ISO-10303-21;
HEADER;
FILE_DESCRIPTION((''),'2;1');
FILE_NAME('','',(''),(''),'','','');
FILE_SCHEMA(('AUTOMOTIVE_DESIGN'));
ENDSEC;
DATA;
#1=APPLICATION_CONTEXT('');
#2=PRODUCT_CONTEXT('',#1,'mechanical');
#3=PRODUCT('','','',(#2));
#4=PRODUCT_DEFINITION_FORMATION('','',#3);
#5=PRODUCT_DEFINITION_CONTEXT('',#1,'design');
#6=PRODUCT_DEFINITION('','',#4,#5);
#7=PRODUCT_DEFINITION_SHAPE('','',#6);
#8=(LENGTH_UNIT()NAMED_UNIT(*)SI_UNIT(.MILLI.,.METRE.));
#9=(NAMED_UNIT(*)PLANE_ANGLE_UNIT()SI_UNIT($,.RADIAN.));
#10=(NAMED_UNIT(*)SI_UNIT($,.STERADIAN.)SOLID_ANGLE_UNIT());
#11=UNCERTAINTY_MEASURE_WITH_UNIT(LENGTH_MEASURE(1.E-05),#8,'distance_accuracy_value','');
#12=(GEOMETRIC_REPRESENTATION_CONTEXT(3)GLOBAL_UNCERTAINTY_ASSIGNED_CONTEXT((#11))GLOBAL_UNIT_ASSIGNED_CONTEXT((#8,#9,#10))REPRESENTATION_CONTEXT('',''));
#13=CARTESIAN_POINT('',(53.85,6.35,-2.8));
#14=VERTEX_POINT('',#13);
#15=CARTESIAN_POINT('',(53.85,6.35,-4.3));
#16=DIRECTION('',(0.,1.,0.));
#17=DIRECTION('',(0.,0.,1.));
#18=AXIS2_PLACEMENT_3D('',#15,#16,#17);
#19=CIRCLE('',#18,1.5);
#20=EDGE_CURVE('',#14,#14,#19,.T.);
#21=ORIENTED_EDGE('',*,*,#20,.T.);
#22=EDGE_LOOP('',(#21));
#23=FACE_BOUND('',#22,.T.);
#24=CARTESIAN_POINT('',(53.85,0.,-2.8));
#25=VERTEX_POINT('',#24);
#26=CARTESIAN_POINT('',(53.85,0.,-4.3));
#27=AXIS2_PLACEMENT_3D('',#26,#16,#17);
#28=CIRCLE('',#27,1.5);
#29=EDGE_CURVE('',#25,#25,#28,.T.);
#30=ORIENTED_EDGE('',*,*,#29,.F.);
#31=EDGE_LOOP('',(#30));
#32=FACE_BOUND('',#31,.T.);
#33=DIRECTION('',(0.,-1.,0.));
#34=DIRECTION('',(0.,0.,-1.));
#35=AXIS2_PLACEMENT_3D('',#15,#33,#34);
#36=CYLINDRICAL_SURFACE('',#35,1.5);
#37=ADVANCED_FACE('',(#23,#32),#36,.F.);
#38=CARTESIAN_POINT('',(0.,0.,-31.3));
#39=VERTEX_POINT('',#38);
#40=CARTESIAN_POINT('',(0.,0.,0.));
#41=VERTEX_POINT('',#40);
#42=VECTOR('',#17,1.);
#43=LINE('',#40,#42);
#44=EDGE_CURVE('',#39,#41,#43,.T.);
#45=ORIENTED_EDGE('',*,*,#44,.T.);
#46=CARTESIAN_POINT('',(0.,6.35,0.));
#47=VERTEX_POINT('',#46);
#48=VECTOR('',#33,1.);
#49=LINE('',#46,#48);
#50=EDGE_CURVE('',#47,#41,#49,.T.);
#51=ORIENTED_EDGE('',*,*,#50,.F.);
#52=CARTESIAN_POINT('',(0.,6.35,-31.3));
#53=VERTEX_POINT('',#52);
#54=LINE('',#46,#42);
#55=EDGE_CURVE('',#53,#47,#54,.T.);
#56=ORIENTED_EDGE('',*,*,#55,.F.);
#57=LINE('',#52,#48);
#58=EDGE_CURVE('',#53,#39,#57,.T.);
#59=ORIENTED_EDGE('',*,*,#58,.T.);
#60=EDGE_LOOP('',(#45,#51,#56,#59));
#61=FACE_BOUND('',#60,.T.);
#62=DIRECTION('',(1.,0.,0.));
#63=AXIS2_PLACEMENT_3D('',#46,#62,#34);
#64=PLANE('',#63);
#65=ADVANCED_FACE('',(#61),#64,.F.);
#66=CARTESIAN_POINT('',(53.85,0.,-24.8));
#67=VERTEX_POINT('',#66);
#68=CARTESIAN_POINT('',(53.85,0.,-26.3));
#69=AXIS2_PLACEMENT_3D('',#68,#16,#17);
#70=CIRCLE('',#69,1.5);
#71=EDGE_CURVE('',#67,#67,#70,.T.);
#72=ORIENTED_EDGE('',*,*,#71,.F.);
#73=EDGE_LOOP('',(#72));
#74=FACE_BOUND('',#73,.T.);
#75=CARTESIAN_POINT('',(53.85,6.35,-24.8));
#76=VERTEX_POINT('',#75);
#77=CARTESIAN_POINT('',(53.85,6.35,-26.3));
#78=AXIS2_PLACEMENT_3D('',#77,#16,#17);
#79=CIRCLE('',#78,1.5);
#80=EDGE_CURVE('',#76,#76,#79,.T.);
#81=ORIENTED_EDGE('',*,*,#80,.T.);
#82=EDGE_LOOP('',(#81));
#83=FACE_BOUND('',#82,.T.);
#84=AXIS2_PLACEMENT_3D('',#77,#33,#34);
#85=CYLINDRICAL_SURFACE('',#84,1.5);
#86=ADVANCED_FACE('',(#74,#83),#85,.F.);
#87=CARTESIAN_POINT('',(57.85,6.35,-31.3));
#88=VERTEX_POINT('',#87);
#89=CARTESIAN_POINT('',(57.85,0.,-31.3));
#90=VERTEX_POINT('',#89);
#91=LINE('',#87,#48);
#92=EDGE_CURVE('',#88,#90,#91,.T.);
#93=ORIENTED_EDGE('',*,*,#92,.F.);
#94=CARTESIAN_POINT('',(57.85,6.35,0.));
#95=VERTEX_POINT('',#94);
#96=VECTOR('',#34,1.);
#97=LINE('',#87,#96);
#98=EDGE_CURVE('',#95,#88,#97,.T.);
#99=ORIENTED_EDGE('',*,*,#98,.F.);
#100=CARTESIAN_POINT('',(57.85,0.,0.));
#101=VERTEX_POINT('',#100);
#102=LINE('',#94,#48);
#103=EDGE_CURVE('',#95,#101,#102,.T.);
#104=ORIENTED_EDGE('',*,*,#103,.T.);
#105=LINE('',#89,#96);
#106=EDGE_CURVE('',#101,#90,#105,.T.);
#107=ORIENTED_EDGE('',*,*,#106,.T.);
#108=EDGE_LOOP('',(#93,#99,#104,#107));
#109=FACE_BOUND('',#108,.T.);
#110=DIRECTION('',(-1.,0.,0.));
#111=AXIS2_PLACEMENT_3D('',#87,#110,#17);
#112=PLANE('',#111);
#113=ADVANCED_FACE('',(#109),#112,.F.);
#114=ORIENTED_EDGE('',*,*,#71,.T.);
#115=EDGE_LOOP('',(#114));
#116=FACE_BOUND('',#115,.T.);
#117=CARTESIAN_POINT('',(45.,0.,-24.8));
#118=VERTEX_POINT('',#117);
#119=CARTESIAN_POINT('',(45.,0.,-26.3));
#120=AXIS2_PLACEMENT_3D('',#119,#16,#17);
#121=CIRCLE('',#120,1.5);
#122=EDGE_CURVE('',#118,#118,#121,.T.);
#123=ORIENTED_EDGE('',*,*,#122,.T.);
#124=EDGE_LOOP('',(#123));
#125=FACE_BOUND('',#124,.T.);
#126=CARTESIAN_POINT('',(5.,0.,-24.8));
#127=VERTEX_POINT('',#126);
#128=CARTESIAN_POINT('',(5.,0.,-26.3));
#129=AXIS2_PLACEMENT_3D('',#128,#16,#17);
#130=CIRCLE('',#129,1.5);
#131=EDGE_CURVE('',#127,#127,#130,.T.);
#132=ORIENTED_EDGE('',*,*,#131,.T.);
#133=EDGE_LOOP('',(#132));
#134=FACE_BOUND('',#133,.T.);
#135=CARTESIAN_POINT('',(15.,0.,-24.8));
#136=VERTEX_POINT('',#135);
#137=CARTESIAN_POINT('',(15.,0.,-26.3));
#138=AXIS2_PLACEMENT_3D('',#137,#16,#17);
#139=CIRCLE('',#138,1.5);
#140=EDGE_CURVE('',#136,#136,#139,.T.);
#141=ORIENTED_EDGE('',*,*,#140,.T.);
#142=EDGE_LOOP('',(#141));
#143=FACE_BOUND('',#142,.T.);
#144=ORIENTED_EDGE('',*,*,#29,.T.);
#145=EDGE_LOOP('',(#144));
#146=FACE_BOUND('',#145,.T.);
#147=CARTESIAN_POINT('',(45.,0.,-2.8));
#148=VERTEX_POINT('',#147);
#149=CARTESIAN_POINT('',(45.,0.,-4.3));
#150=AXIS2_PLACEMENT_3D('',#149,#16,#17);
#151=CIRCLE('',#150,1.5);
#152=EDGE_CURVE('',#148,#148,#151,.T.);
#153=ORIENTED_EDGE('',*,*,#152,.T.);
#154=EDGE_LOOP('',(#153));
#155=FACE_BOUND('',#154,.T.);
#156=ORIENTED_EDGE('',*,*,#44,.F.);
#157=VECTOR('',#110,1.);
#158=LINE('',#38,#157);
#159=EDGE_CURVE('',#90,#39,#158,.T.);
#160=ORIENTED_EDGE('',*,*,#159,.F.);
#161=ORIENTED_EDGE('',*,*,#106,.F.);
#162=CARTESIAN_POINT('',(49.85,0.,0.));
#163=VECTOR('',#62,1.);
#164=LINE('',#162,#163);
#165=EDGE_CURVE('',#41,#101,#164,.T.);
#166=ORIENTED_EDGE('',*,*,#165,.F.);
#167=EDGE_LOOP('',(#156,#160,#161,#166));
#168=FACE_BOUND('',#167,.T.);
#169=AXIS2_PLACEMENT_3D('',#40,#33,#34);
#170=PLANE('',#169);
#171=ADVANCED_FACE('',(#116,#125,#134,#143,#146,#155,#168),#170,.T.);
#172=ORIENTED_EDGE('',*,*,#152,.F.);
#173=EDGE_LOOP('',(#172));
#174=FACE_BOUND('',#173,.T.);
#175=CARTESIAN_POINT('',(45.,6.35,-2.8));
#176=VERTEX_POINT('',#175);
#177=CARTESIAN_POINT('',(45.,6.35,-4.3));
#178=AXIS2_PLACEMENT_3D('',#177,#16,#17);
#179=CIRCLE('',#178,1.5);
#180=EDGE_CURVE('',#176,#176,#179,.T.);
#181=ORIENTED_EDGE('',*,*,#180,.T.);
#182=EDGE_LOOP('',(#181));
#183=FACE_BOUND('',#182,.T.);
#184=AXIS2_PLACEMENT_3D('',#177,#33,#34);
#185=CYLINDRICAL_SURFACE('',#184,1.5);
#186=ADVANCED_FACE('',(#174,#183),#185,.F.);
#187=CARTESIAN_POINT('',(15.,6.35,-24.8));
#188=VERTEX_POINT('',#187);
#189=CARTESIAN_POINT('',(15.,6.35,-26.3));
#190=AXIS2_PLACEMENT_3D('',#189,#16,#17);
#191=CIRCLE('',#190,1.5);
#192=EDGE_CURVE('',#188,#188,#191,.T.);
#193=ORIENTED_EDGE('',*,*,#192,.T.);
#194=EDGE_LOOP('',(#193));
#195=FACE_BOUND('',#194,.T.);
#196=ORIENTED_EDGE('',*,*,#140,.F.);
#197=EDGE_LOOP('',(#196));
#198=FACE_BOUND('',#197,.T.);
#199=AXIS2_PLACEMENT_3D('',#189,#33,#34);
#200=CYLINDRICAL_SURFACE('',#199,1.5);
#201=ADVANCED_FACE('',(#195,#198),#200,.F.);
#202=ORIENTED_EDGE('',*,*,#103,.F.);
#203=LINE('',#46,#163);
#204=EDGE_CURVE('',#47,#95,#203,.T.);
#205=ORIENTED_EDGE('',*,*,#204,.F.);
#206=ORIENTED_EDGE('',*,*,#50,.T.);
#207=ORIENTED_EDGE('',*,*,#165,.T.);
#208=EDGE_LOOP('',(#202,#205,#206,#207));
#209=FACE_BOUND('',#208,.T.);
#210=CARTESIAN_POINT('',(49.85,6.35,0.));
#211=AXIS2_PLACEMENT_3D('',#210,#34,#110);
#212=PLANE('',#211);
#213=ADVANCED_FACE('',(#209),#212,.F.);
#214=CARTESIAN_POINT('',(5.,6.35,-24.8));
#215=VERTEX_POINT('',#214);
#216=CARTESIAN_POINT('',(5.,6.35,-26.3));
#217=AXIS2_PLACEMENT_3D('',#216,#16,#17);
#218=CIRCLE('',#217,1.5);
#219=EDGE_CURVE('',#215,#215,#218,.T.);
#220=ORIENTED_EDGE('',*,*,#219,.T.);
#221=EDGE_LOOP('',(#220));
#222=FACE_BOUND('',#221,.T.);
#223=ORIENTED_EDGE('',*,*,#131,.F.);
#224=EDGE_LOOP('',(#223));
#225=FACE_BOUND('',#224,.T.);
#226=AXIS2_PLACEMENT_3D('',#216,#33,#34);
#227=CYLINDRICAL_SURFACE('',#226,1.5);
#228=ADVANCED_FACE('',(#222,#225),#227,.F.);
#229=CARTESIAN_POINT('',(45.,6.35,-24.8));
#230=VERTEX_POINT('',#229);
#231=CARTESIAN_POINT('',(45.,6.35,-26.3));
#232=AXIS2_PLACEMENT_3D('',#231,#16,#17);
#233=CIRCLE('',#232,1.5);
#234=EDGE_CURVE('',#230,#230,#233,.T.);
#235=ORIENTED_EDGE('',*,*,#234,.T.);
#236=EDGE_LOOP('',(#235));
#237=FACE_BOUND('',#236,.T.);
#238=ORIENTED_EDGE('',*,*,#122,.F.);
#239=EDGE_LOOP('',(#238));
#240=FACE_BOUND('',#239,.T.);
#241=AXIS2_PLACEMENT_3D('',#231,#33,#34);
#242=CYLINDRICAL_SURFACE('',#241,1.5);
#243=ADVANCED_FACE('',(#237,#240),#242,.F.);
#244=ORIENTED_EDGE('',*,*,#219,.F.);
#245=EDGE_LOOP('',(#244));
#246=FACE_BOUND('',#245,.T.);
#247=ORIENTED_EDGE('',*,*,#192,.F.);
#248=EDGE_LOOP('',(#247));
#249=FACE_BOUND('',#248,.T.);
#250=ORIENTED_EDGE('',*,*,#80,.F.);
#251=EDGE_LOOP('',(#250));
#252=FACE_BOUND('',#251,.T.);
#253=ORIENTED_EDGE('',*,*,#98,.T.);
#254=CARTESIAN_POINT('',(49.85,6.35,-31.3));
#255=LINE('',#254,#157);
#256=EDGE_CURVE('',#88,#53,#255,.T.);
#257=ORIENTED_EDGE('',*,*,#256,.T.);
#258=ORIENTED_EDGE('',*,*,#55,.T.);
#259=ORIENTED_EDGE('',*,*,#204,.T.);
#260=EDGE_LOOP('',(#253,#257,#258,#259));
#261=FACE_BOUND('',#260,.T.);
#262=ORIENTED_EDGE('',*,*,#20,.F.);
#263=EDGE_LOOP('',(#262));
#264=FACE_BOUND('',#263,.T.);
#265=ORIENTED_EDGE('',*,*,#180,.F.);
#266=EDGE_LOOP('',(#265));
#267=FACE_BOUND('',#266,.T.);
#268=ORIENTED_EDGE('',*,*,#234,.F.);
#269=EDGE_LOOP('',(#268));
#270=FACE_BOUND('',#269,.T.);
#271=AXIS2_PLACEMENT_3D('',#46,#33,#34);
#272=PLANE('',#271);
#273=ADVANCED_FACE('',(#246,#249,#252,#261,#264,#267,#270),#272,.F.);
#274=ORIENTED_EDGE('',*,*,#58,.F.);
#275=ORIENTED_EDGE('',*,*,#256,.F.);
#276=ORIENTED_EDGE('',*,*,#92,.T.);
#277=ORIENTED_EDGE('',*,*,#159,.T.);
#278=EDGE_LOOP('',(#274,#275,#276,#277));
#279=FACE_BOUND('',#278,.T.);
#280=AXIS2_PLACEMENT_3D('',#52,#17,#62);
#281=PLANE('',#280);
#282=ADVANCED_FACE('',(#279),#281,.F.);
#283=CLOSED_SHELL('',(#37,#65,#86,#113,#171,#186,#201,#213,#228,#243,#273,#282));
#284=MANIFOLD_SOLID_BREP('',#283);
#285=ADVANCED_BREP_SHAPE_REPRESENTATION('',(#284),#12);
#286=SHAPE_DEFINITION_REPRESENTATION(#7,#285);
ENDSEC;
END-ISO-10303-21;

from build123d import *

# Parameters (mm, degrees)
SKETCH1_R           = 1.5
BOSS_EXTRUDE1_DEPTH = 6.35


with BuildPart() as part:
    # Sketch1 → Boss-Extrude1 (new body)
    with BuildSketch(Plane(origin=(0, 0, 0), x_dir=(1, 0, 0), z_dir=(0, 1, 0))):
        Polygon((0, 0), (49.85, 0), (57.85, 0), (57.85, 31.3), (49.85, 31.3), (0, 31.3), align=None)
        with Locations(Location((45, 26.3, 0), (0, 0, 270))):
            Circle(SKETCH1_R, mode=Mode.SUBTRACT)
        with Locations(Location((45, 4.3, 0), (0, 0, 270))):
            Circle(SKETCH1_R, mode=Mode.SUBTRACT)
        with Locations(Location((15, 26.3, 0), (0, 0, 270))):
            Circle(SKETCH1_R, mode=Mode.SUBTRACT)
        with Locations(Location((5, 26.3, 0), (0, 0, 270))):
            Circle(SKETCH1_R, mode=Mode.SUBTRACT)
        with Locations(Location((53.85, 26.3, 0), (0, 0, 270))):
            Circle(SKETCH1_R, mode=Mode.SUBTRACT)
        with Locations(Location((53.85, 4.3, 0), (0, 0, 270))):
            Circle(SKETCH1_R, mode=Mode.SUBTRACT)
    extrude(amount=BOSS_EXTRUDE1_DEPTH)


solid = part.part
